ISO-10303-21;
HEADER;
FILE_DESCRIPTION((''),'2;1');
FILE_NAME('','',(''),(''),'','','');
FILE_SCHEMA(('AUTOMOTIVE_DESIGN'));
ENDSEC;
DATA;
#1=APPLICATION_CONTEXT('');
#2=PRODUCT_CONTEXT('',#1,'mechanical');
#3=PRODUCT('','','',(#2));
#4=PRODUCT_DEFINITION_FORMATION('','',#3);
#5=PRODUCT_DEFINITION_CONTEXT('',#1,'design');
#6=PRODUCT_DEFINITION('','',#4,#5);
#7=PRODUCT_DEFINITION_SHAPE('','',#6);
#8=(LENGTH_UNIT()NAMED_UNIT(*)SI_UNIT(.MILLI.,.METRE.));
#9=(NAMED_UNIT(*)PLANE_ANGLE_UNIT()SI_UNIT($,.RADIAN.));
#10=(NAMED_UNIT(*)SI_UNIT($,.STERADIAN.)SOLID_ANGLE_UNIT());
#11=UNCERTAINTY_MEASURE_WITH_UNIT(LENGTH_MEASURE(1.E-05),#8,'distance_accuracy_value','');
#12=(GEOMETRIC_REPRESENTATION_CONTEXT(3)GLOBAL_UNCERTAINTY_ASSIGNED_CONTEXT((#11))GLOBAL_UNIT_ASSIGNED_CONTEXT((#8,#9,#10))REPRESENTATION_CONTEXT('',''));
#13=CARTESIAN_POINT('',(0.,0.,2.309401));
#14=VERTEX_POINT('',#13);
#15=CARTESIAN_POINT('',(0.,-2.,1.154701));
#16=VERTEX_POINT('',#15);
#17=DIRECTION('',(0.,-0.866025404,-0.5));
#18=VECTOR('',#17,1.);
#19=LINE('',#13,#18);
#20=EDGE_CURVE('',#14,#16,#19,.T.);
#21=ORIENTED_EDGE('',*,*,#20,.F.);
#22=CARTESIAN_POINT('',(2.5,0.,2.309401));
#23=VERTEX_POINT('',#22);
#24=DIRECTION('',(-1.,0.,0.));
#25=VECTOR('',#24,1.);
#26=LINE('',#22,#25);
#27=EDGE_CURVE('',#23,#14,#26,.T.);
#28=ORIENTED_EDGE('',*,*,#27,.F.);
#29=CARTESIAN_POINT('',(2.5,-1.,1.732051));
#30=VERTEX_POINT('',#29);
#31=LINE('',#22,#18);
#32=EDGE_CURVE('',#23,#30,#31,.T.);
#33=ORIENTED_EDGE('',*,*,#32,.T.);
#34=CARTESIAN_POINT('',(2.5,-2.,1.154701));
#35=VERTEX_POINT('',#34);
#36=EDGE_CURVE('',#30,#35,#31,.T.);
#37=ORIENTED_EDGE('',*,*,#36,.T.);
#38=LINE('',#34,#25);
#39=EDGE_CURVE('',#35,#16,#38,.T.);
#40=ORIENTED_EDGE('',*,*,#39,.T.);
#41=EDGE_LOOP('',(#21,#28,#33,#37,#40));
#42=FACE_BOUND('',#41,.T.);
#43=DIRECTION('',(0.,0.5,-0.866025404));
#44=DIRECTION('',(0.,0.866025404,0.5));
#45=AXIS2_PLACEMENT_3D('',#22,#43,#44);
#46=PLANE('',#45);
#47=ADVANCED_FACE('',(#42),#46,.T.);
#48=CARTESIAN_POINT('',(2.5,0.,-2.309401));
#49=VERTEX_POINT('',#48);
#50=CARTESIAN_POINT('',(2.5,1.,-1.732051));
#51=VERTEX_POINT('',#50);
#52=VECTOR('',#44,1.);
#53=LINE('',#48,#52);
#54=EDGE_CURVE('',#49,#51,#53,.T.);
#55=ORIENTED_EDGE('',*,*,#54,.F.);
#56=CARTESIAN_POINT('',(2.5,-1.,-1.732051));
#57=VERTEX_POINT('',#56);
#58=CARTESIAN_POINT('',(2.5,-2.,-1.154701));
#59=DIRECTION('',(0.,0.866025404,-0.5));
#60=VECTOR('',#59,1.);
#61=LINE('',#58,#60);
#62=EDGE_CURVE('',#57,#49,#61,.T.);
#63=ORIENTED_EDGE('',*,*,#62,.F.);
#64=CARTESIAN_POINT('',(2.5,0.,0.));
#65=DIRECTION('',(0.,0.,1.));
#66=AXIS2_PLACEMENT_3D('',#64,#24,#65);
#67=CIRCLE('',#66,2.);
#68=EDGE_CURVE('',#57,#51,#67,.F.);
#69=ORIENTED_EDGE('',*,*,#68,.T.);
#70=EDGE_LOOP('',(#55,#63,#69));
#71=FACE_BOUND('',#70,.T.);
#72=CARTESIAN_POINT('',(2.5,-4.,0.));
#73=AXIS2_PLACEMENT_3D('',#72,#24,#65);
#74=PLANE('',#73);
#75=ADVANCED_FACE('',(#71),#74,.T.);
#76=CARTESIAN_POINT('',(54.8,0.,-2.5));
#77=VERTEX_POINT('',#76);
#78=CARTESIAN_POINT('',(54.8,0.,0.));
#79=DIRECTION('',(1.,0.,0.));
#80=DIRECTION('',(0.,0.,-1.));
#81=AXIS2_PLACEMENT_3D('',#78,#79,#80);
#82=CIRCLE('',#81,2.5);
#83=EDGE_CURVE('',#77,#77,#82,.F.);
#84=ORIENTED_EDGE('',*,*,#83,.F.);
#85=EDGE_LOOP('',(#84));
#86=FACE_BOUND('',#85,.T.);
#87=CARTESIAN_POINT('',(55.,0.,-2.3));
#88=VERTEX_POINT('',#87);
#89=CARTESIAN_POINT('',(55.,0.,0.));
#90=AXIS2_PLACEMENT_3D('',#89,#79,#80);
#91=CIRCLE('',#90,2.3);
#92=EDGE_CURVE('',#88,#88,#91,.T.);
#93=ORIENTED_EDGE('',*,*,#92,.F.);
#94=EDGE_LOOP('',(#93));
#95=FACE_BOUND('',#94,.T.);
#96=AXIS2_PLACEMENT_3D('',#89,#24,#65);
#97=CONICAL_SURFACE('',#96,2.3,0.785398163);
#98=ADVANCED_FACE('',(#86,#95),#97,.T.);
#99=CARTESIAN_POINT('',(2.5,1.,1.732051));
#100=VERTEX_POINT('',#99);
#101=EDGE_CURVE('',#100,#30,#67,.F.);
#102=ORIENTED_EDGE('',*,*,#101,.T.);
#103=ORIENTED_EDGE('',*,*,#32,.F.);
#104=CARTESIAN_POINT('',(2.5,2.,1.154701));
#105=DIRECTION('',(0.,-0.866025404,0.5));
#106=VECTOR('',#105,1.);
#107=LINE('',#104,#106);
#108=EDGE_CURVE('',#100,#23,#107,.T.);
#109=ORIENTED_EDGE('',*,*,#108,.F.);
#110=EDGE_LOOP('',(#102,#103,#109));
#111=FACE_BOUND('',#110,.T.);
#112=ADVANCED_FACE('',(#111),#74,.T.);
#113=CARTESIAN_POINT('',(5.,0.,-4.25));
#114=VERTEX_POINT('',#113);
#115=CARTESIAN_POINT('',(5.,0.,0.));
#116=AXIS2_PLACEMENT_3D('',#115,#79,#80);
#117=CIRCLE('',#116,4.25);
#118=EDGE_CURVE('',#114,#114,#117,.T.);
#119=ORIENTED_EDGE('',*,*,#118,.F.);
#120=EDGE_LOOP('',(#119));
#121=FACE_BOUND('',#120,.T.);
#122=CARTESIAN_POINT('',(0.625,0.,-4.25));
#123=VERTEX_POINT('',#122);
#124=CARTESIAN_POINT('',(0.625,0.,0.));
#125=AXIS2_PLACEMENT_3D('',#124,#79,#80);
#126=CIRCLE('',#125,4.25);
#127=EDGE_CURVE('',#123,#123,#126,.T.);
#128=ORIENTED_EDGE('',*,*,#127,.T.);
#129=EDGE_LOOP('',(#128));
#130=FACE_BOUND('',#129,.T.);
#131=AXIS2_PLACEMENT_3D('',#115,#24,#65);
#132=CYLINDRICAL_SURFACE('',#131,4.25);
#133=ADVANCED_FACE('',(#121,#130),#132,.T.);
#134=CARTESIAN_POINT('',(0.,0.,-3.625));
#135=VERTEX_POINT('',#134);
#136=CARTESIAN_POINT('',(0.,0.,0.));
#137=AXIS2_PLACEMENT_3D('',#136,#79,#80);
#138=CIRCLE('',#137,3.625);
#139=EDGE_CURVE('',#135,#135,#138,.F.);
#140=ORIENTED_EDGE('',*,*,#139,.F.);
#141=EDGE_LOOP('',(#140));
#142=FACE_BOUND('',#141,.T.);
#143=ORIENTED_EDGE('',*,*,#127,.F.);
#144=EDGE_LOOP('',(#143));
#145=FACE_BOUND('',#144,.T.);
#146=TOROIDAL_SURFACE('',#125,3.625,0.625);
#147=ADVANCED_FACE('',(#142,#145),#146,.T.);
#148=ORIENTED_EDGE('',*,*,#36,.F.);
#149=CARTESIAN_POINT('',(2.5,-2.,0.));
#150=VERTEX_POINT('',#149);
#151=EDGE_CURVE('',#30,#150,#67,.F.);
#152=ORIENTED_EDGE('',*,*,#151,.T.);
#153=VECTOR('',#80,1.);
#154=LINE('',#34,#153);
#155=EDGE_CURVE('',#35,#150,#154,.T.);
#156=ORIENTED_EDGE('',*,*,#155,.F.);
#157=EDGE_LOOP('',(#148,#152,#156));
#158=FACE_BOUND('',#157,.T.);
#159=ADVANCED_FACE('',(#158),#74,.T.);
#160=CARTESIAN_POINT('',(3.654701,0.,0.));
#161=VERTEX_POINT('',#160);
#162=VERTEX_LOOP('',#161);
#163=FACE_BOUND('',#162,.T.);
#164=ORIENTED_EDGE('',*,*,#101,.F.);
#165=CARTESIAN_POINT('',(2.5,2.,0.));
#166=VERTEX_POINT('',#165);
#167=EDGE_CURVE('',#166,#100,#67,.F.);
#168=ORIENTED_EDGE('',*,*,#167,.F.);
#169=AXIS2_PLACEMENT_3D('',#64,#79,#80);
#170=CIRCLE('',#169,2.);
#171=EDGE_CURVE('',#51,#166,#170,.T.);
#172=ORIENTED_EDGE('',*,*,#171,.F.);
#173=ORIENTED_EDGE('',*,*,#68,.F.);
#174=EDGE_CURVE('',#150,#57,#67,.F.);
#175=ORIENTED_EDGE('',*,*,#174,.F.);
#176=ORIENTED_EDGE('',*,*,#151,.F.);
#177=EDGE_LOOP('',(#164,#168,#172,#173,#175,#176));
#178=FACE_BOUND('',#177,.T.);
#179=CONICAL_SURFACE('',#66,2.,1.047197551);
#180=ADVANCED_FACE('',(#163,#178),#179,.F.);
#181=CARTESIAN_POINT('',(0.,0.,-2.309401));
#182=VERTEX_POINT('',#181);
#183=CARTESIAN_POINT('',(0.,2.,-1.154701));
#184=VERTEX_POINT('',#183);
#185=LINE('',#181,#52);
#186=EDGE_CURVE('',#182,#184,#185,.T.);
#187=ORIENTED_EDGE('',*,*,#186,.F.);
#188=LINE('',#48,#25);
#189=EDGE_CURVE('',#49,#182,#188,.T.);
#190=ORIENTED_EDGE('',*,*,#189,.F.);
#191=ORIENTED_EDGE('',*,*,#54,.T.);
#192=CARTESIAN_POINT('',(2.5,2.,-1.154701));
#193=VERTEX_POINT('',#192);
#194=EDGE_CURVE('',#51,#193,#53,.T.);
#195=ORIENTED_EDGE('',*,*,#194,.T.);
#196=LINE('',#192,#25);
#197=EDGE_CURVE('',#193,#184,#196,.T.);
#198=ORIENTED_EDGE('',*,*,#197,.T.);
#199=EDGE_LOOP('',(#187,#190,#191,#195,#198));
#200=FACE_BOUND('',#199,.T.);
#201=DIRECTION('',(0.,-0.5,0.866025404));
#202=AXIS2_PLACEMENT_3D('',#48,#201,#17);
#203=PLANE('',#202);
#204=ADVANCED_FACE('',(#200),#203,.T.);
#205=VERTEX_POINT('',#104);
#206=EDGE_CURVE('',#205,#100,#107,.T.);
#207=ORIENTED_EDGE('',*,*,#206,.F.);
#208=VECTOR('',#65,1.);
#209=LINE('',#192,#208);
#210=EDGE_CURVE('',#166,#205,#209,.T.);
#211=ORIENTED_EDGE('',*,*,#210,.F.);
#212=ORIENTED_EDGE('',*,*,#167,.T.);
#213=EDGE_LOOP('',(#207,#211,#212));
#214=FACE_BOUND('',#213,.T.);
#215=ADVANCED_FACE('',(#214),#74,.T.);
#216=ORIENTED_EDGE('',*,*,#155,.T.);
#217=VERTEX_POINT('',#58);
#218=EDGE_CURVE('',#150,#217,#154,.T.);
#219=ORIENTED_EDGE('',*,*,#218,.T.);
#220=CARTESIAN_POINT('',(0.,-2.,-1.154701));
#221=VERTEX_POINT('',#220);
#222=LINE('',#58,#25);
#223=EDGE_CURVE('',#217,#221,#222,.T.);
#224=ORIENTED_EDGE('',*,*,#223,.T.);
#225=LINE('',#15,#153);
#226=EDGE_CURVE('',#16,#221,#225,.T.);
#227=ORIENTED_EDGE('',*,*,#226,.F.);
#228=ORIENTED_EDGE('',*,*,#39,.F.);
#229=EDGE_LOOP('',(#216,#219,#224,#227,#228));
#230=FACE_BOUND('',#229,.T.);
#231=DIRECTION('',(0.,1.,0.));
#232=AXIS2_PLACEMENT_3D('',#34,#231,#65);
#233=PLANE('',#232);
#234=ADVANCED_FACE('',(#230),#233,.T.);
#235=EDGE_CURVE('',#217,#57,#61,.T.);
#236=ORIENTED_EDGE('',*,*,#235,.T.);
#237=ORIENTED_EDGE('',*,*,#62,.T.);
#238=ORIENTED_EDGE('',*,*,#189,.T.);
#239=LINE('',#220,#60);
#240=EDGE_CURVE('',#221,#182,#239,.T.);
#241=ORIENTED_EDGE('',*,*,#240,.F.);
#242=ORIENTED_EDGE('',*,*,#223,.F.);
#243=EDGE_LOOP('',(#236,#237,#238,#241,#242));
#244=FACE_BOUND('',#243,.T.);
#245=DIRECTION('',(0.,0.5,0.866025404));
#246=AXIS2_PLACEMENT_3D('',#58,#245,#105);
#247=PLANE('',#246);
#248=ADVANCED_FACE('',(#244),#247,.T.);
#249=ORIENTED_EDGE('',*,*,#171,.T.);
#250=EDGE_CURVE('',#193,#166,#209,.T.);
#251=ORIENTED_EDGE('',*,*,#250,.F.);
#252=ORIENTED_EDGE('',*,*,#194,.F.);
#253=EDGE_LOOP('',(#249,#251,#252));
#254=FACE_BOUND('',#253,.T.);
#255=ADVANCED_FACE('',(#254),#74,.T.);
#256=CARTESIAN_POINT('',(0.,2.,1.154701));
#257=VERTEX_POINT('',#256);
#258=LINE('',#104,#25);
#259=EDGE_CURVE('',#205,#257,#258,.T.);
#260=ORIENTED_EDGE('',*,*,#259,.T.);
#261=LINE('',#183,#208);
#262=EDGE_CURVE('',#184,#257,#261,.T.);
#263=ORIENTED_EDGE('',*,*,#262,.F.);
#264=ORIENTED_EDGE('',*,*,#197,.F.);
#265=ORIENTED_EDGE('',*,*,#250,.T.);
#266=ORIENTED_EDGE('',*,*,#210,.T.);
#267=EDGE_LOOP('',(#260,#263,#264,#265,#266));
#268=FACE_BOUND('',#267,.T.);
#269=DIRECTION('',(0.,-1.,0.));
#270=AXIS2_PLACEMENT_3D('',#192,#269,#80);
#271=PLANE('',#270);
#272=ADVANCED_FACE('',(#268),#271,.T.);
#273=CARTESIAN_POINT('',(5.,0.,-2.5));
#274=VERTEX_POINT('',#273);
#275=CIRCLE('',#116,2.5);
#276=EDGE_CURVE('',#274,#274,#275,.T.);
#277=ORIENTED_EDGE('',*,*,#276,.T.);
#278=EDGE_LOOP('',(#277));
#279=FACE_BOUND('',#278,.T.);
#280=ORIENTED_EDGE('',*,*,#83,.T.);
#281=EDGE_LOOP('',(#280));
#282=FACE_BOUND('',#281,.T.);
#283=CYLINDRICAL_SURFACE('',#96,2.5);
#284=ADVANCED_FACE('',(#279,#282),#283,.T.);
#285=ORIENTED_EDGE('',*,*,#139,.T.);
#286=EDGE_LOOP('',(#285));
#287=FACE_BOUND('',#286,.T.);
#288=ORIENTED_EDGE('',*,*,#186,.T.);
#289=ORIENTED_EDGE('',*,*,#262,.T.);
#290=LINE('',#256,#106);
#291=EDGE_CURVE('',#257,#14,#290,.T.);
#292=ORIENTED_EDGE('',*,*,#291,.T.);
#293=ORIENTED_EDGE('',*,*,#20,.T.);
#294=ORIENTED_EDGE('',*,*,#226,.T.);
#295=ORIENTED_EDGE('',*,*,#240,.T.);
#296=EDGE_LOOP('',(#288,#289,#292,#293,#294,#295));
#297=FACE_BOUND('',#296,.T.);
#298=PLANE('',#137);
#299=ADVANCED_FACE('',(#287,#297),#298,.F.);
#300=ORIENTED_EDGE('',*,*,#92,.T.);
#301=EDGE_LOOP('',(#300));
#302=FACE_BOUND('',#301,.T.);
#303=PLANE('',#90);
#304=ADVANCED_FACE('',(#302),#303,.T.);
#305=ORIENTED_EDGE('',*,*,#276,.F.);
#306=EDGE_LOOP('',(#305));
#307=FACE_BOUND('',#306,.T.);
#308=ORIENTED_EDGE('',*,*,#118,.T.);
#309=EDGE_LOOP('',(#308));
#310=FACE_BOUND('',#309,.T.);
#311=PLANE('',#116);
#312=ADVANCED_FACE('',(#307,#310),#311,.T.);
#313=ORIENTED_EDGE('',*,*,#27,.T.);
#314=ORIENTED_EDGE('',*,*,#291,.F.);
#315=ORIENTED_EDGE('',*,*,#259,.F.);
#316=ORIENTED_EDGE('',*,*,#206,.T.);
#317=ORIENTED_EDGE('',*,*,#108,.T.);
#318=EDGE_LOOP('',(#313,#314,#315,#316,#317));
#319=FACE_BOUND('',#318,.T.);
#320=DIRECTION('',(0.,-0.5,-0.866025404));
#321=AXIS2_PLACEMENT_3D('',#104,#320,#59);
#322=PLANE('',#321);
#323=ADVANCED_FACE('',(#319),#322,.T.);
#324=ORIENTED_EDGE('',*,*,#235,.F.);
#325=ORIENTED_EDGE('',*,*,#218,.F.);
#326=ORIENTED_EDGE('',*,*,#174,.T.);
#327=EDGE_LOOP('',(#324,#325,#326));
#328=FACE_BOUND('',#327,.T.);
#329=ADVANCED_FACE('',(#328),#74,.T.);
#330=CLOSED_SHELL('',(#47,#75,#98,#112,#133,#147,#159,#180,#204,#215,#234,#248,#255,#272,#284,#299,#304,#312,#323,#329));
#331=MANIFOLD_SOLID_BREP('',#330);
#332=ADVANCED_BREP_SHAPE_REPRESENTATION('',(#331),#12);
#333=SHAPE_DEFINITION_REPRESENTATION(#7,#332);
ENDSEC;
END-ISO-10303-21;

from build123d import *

# Parameters (mm, degrees)
SKETCH1_R           = 4.25
BASEHEAD_DEPTH      = 5
SKETCH2_R           = 2.5
BASEBODY_DEPTH      = 50
HEXAGONSOCKET_DEPTH = 2.5
TOPFILLET_R         = 0.625
CHAMFER1_SIZE       = 0.2


with BuildPart() as part:
    # Sketch1 → BaseHead (new body)
    with BuildSketch(Plane(origin=(0, 0, 0), x_dir=(0, 0, -1), z_dir=(1, 0, 0))):
        Circle(SKETCH1_R)
    extrude(amount=BASEHEAD_DEPTH)

    # Sketch2 → BaseBody (add)
    with BuildSketch(Plane(origin=(5, 0, 0), x_dir=(0, 0, -1), z_dir=(1, 0, 0))):
        Circle(SKETCH2_R)
    extrude(amount=BASEBODY_DEPTH)

    # Sketch3 → HexagonSocket (cut)
    with BuildSketch(Plane(origin=(0, 0, 0), x_dir=(0, 0, -1), z_dir=(1, 0, 0))):
        Polygon((2.309401077, 0), (1.154700538, 2), (-1.154700538, 2), (-2.309401077, 0), (-1.154700538, -2), (1.154700538, -2), align=None)
    extrude(amount=HEXAGONSOCKET_DEPTH, mode=Mode.SUBTRACT)

    # Sketch4 → Cut-Revolve1 (revolve, cut)
    with BuildSketch(Plane(origin=(-4.19613823, 0.75, 0), x_dir=(-1, 0, 0), z_dir=(0, 0, 1)), mode=Mode.PRIVATE) as cut_revolve1_sk:
        Polygon((-6.69613823, 2.75), (-7.850838768, 0.75), (-6.69613823, 0.75), align=None)
    revolve(cut_revolve1_sk.sketch.rotate(Axis((0.838992387, 0, 0), (-1, 0, 0)), 90), axis=Axis((0.838992387, 0, 0), (-1, 0, 0)), mode=Mode.SUBTRACT)

    # TopFillet
    topfillet_edges = [part.edges().sort_by_distance(p)[0] for p in [
        (0, 0, 4.25),
    ]]
    fillet(topfillet_edges, radius=TOPFILLET_R)

    # Chamfer1
    chamfer1_edges = [part.edges().sort_by_distance(p)[0] for p in [
        (55, 0, 2.5),
    ]]
    chamfer(chamfer1_edges, length=CHAMFER1_SIZE)


solid = part.part
